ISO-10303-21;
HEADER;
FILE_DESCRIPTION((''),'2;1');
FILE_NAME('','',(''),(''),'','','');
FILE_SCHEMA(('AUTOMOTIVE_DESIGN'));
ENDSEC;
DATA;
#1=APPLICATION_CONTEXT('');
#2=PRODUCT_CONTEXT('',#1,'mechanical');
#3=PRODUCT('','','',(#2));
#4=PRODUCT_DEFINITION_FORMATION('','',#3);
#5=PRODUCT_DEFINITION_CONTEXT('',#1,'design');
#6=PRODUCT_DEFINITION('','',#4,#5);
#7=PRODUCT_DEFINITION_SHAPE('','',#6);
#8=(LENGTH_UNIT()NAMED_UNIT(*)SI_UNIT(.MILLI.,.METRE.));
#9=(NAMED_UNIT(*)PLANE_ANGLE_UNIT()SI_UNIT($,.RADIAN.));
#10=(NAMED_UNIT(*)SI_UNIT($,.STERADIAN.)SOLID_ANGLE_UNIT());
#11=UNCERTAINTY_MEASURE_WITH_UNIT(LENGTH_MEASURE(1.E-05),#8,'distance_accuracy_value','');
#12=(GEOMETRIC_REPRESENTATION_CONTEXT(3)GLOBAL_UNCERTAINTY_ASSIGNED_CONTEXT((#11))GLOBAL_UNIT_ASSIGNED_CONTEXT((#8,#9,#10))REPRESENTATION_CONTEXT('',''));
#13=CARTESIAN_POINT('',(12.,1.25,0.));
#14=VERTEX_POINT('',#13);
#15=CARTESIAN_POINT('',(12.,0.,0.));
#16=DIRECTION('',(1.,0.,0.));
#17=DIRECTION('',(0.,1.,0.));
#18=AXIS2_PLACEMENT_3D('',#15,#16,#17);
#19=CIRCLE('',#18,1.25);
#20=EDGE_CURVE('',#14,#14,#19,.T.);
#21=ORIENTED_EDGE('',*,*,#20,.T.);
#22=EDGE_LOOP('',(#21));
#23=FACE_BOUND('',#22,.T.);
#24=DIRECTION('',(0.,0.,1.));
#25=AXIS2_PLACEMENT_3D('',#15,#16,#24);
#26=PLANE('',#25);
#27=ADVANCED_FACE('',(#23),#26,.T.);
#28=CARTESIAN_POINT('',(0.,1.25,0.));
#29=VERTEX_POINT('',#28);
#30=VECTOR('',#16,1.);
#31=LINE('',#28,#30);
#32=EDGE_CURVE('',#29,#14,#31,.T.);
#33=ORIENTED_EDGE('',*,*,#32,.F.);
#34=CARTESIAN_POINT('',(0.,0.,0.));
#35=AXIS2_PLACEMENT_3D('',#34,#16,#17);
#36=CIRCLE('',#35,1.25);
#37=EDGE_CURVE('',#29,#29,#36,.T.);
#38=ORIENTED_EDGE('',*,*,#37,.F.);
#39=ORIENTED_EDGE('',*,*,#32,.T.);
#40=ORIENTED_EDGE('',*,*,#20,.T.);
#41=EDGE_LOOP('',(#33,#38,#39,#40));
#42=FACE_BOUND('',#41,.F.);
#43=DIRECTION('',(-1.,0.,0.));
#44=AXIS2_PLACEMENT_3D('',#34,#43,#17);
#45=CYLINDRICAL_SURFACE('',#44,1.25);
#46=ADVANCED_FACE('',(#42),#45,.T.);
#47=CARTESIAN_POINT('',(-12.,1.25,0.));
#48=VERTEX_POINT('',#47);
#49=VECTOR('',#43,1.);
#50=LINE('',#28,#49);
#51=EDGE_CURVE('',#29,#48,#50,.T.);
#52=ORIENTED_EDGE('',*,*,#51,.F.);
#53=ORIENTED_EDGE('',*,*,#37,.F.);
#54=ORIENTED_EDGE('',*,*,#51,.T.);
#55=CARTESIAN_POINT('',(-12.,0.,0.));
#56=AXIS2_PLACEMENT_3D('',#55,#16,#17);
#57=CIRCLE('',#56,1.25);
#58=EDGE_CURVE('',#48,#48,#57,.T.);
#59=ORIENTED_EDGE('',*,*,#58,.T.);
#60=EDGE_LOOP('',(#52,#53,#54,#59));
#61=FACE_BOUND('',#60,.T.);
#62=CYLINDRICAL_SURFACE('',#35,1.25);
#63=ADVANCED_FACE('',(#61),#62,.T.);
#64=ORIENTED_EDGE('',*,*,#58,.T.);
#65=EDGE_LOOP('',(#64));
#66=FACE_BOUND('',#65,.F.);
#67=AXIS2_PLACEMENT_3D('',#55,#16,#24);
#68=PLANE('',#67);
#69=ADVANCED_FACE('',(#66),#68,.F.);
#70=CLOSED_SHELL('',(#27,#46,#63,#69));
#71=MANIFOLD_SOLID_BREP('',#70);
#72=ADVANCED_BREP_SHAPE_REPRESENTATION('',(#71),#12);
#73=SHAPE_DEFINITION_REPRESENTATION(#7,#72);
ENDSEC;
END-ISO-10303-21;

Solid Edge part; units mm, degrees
sketch "Sketch1" plane through (0, 0, 0) normal (1, 0, 0) x (0, 1, 0)
  circle A0 centre (0, 0) radius 1.25
extrude "Protrusion1" add sketch "Sketch1" along normal mid plane 24
